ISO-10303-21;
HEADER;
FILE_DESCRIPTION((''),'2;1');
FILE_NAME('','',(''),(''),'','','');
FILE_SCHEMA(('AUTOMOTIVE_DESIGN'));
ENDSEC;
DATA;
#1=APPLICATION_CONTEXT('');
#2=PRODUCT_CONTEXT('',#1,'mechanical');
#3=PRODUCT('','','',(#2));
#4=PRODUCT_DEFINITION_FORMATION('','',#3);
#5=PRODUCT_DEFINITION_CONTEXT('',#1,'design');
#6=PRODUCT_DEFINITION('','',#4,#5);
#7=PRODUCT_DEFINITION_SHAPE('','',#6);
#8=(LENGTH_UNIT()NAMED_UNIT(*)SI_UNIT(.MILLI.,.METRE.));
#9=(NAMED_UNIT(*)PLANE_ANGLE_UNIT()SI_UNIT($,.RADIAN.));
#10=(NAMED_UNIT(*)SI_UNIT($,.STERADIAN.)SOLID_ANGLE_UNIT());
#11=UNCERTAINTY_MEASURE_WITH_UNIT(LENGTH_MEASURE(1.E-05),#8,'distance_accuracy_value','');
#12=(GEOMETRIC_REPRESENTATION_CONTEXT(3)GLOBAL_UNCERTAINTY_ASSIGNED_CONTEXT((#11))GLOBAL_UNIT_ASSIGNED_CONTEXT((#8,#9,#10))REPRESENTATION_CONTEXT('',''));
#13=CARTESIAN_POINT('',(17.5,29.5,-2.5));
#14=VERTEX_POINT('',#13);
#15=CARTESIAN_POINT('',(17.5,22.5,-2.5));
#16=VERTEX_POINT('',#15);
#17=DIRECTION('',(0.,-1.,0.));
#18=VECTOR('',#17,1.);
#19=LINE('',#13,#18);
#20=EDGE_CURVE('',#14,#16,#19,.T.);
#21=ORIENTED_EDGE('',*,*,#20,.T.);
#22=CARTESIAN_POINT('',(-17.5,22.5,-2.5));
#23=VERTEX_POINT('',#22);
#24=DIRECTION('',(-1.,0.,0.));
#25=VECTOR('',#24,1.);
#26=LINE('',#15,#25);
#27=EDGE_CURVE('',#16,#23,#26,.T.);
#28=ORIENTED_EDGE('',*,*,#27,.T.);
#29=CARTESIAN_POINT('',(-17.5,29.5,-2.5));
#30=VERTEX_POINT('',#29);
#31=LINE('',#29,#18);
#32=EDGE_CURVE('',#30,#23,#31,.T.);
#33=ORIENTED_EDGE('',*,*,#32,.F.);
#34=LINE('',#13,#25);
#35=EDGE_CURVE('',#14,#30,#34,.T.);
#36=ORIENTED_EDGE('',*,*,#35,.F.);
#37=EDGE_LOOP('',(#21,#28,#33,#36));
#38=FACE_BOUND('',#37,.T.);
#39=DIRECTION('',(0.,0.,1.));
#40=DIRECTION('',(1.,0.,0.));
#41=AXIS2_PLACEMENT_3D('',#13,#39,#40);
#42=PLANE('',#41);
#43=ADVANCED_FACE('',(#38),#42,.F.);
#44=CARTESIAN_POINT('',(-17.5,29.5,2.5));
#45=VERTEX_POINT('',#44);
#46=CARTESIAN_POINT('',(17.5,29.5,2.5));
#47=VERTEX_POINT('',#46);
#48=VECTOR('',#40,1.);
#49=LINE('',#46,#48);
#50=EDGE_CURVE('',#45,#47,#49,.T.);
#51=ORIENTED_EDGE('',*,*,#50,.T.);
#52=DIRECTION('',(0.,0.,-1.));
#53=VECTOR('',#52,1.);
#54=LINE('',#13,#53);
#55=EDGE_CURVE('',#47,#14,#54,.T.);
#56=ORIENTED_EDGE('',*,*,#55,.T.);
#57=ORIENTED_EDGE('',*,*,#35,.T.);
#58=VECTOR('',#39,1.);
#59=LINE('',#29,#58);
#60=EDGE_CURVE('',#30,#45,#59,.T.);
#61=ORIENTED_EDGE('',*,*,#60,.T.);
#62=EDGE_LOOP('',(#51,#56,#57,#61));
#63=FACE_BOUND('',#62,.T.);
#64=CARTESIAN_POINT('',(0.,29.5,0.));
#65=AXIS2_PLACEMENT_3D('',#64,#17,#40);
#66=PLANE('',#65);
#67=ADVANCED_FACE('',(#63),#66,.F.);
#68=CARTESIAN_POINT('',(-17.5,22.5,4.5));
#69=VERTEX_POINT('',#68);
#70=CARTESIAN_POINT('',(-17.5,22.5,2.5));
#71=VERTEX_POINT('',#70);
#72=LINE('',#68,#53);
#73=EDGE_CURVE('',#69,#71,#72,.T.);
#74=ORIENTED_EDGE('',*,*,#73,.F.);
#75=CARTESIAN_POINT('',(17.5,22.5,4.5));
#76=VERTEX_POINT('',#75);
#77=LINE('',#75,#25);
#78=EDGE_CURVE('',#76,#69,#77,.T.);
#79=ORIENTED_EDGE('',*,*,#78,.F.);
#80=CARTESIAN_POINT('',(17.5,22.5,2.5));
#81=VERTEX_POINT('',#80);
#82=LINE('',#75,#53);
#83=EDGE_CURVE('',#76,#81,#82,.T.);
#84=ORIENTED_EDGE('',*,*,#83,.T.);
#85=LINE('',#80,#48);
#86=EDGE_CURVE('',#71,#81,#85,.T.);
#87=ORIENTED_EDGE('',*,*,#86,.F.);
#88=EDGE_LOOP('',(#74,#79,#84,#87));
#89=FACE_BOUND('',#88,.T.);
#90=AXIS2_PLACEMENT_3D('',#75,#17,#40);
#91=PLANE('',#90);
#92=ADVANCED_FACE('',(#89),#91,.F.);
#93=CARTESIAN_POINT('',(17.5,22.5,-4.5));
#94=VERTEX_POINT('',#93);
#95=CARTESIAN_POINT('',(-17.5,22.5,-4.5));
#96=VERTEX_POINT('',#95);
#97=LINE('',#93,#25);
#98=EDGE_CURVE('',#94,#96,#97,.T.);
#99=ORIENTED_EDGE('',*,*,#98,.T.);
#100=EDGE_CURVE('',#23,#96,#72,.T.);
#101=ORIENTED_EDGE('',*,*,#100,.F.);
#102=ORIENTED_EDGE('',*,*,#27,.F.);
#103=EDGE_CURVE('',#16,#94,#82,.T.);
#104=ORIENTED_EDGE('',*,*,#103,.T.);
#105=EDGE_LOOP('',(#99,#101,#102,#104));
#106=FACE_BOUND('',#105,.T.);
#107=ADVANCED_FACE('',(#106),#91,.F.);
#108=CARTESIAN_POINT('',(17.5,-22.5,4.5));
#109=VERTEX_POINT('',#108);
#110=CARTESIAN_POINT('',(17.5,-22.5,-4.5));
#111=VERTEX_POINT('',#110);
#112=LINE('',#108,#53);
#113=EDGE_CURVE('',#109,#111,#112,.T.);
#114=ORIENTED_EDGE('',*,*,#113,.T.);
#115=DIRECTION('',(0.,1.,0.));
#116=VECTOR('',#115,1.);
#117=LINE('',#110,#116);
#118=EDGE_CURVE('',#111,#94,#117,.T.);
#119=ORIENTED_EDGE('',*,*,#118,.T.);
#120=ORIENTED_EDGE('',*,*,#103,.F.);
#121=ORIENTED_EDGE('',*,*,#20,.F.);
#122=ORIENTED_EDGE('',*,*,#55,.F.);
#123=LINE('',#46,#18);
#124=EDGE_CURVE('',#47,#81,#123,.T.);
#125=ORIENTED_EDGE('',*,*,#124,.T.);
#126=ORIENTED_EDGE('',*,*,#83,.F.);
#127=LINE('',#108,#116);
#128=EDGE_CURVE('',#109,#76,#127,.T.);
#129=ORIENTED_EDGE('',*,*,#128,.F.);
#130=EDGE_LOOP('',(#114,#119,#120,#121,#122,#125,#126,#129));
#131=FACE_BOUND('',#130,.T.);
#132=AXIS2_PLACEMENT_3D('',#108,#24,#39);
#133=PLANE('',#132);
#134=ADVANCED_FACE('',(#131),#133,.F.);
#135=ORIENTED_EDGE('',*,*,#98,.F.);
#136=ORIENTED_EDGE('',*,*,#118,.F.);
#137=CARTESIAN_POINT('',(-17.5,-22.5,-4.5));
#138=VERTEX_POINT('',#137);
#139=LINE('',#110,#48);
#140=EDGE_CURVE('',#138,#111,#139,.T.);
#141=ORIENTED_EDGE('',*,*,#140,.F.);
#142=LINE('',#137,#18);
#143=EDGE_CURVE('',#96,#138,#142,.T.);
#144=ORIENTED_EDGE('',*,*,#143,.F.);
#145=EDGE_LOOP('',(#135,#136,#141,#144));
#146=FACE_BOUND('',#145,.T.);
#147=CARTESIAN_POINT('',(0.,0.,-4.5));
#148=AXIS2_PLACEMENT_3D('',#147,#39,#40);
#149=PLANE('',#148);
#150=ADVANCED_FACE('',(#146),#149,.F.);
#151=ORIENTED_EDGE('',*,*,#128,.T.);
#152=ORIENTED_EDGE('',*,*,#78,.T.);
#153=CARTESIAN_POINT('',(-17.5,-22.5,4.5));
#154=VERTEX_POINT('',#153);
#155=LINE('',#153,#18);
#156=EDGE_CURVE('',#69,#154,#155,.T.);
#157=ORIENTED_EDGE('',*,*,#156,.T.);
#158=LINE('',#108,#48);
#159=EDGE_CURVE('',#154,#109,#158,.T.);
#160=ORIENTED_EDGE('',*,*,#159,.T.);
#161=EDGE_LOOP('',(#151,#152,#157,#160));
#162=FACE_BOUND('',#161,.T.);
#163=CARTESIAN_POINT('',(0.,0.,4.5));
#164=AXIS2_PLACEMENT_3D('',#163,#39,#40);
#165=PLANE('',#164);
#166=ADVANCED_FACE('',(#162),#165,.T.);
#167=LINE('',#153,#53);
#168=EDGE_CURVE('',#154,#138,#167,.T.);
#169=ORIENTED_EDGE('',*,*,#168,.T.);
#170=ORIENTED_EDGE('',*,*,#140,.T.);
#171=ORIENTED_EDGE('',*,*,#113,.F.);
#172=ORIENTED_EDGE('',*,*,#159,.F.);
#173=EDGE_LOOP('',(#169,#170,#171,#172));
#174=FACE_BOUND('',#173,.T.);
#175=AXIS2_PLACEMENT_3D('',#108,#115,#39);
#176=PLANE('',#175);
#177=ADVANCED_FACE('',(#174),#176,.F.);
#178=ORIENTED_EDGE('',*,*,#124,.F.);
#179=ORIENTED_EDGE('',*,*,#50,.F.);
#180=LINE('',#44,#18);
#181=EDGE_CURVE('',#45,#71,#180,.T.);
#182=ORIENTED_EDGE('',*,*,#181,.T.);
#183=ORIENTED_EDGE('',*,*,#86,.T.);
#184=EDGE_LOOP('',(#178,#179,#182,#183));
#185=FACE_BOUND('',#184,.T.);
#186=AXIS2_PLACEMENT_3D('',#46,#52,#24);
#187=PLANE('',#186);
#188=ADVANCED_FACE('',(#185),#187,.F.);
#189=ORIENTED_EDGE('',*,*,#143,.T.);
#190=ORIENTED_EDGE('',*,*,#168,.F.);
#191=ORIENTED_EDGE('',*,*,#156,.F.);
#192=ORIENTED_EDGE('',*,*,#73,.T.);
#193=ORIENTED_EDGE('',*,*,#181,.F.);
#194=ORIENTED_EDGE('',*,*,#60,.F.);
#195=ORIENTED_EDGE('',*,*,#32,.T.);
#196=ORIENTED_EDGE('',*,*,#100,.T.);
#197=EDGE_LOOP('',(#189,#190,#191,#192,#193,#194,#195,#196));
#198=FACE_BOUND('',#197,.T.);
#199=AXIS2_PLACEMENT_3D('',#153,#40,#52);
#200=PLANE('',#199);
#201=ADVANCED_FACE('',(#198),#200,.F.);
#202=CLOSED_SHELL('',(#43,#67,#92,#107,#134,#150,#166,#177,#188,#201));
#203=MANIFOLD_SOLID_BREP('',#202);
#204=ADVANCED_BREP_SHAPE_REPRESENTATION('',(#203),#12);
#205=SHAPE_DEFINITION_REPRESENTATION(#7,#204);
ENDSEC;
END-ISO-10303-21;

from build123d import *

# Parameters (mm, degrees)
SKETCH1_W           = 35
SKETCH1_H           = 45
BOSS_EXTRUDE1_DEPTH = 4.5
SKETCH3_W           = 35
SKETCH3_H           = 5
BOSS_EXTRUDE2_DEPTH = 7


with BuildPart() as part:
    # Sketch1 → Boss-Extrude1 (new, symmetric)
    with BuildSketch(Plane.XY):
        Rectangle(SKETCH1_W, SKETCH1_H)
    extrude(amount=BOSS_EXTRUDE1_DEPTH, both=True)

    # Sketch3 → Boss-Extrude2 (add)
    with BuildSketch(Plane(origin=(0, 22.5, 0), x_dir=(1, 0, 0), z_dir=(0, 1, 0))):
        Rectangle(SKETCH3_W, SKETCH3_H)
    extrude(amount=BOSS_EXTRUDE2_DEPTH)


solid = part.part
